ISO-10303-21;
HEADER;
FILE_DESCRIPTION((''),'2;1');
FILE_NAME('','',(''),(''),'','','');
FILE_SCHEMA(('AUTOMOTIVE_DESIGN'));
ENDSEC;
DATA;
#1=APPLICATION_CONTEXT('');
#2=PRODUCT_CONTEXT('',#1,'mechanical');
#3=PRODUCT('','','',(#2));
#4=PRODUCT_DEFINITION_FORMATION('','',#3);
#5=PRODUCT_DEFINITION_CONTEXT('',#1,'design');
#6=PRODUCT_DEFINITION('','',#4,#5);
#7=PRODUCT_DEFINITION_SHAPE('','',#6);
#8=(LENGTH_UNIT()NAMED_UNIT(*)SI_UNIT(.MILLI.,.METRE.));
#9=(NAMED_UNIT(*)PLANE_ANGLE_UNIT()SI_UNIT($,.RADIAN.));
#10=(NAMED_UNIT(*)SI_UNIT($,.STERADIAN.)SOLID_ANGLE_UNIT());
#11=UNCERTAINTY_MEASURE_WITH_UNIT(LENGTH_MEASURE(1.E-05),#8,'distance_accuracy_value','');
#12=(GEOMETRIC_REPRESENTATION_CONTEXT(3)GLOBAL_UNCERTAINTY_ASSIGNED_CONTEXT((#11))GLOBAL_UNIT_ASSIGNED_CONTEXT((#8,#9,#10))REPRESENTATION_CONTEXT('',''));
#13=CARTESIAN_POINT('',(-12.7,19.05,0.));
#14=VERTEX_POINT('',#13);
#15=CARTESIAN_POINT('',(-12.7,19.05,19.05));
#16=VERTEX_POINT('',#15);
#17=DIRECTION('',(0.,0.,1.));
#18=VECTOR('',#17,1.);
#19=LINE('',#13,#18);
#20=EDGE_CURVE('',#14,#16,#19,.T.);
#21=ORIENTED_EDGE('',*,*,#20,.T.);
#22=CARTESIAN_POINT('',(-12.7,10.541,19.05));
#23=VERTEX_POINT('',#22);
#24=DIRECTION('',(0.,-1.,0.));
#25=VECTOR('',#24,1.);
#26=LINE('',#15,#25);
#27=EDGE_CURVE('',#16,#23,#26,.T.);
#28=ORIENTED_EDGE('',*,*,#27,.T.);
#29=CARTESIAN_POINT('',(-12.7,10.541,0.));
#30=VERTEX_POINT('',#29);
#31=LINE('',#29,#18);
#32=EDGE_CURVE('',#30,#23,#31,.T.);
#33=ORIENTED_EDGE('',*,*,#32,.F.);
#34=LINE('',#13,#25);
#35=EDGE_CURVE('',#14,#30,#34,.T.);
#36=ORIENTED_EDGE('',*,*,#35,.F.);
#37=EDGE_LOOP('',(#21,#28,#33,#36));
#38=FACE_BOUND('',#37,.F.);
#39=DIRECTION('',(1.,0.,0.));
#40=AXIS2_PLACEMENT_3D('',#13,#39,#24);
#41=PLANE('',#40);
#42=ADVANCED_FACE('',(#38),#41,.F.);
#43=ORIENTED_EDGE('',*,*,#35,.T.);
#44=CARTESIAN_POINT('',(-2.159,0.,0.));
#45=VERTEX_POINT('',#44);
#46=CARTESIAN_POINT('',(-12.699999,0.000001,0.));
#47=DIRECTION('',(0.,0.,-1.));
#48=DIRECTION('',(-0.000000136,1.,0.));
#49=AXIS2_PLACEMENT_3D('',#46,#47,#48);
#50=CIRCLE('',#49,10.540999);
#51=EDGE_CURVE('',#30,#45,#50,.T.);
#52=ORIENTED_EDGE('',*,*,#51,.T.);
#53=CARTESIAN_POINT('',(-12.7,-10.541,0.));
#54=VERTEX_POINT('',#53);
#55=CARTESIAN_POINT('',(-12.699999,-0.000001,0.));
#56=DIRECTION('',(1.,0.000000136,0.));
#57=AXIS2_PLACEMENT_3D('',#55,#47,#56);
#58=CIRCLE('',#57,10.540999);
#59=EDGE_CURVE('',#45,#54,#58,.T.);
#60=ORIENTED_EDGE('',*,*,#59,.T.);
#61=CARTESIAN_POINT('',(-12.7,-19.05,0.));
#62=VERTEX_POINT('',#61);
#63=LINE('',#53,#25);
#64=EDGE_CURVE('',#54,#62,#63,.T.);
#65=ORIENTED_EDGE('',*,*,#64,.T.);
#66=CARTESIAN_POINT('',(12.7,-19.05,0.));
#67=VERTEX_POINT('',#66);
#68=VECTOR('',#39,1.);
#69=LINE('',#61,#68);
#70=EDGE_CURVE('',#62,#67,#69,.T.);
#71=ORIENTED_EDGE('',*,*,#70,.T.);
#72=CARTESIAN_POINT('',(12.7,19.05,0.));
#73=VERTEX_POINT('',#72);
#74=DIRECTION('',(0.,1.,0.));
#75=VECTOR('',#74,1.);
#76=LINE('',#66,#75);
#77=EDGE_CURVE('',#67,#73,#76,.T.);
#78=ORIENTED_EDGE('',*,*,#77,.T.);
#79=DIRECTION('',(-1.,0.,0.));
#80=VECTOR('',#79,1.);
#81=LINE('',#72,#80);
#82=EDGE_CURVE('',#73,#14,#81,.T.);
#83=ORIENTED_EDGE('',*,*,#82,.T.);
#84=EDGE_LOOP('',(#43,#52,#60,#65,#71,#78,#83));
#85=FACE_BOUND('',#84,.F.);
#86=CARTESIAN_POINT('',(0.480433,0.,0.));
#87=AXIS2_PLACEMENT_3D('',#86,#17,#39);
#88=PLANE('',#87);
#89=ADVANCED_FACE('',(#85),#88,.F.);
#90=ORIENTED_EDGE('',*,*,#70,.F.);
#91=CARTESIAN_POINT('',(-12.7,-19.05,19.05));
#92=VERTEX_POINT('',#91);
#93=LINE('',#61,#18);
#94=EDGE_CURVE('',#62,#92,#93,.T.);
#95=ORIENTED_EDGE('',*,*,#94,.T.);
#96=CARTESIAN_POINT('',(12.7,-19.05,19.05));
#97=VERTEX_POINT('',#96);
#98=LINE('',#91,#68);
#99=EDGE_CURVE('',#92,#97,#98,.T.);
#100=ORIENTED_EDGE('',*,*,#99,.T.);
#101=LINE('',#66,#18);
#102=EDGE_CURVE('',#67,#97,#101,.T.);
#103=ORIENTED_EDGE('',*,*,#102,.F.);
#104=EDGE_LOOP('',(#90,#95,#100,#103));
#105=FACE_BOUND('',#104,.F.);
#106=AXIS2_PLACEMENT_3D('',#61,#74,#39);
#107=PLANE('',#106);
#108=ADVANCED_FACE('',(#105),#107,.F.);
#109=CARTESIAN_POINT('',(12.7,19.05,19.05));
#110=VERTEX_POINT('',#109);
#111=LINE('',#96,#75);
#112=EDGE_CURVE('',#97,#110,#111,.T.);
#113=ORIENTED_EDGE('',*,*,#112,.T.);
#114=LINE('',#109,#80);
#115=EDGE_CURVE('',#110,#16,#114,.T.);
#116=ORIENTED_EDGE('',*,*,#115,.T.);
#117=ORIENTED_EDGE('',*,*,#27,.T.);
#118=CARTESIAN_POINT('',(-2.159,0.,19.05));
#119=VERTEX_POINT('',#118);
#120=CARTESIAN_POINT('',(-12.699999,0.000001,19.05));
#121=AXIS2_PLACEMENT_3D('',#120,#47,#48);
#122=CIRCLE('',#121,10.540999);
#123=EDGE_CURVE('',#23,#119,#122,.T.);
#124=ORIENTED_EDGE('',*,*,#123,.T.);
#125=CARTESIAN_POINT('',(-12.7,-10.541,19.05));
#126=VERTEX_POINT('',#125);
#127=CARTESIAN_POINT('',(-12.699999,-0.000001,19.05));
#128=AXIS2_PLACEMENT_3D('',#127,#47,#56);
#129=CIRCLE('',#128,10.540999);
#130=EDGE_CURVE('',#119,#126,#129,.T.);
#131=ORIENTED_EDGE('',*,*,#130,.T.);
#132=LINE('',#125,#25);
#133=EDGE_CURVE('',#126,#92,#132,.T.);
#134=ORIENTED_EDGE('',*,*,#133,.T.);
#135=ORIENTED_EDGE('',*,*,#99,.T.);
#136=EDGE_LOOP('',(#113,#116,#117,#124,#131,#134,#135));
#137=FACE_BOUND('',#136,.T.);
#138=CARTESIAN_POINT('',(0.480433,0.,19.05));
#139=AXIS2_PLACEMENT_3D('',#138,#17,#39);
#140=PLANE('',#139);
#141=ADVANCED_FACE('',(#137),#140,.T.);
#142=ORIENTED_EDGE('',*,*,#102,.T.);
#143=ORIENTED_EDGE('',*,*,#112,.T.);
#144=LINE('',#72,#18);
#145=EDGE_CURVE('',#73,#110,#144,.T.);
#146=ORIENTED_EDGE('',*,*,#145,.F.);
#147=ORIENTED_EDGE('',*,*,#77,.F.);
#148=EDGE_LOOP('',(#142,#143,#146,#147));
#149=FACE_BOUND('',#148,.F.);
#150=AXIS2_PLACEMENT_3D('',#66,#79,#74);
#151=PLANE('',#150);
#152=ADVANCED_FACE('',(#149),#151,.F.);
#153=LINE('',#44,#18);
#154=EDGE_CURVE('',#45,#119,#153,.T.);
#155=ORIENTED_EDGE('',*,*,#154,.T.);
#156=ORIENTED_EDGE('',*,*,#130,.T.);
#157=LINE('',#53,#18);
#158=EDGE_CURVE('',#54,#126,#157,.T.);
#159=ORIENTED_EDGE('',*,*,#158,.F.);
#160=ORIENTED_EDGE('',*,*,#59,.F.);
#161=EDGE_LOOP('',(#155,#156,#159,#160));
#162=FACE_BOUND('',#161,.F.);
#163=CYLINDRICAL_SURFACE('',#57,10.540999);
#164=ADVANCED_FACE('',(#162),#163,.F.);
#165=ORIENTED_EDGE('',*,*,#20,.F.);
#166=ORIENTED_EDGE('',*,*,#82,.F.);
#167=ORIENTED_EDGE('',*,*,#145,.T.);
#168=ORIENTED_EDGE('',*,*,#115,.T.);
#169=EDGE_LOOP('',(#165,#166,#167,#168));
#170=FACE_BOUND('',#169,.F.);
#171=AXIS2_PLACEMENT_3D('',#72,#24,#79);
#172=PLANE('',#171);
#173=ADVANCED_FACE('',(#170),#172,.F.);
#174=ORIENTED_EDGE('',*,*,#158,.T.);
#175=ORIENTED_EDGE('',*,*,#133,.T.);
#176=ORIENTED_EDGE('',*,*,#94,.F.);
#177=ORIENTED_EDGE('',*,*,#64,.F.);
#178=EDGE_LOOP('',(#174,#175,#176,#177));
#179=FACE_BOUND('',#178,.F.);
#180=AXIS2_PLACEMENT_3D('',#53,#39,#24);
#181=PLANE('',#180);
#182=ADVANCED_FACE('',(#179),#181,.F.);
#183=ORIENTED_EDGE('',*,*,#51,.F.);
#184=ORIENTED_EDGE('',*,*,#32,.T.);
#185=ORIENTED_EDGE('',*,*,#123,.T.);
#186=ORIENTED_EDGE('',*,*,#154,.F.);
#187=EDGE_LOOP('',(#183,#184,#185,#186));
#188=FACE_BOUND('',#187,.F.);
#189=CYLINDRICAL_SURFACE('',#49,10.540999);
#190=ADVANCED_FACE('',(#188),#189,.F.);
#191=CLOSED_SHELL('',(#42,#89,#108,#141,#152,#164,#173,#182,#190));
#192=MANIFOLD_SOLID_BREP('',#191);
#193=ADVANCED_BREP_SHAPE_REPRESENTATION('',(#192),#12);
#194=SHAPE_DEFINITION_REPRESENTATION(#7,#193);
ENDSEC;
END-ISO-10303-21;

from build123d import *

# Parameters (mm, degrees)
F1_DEPTH = 19.05


with BuildPart() as f1:
    # F0 (on Top) → F1 (new body)
    with BuildSketch(Plane.XY):
        with BuildLine():
            Line((12.7, -19.05), (12.7, 19.05))
            Line((12.7, 19.05), (-12.7, 19.05))
            Line((-12.7, 19.05), (-12.7, 10.541))
            ThreePointArc((-12.7, 10.541), (-5.246387, 7.453613), (-2.159, 0))
            ThreePointArc((-2.159, 0), (-5.246387, -7.453613), (-12.7, -10.541))
            Line((-12.7, -10.541), (-12.7, -19.05))
            Line((-12.7, -19.05), (12.7, -19.05))
        make_face()
    extrude(amount=F1_DEPTH)


solid = f1.part
